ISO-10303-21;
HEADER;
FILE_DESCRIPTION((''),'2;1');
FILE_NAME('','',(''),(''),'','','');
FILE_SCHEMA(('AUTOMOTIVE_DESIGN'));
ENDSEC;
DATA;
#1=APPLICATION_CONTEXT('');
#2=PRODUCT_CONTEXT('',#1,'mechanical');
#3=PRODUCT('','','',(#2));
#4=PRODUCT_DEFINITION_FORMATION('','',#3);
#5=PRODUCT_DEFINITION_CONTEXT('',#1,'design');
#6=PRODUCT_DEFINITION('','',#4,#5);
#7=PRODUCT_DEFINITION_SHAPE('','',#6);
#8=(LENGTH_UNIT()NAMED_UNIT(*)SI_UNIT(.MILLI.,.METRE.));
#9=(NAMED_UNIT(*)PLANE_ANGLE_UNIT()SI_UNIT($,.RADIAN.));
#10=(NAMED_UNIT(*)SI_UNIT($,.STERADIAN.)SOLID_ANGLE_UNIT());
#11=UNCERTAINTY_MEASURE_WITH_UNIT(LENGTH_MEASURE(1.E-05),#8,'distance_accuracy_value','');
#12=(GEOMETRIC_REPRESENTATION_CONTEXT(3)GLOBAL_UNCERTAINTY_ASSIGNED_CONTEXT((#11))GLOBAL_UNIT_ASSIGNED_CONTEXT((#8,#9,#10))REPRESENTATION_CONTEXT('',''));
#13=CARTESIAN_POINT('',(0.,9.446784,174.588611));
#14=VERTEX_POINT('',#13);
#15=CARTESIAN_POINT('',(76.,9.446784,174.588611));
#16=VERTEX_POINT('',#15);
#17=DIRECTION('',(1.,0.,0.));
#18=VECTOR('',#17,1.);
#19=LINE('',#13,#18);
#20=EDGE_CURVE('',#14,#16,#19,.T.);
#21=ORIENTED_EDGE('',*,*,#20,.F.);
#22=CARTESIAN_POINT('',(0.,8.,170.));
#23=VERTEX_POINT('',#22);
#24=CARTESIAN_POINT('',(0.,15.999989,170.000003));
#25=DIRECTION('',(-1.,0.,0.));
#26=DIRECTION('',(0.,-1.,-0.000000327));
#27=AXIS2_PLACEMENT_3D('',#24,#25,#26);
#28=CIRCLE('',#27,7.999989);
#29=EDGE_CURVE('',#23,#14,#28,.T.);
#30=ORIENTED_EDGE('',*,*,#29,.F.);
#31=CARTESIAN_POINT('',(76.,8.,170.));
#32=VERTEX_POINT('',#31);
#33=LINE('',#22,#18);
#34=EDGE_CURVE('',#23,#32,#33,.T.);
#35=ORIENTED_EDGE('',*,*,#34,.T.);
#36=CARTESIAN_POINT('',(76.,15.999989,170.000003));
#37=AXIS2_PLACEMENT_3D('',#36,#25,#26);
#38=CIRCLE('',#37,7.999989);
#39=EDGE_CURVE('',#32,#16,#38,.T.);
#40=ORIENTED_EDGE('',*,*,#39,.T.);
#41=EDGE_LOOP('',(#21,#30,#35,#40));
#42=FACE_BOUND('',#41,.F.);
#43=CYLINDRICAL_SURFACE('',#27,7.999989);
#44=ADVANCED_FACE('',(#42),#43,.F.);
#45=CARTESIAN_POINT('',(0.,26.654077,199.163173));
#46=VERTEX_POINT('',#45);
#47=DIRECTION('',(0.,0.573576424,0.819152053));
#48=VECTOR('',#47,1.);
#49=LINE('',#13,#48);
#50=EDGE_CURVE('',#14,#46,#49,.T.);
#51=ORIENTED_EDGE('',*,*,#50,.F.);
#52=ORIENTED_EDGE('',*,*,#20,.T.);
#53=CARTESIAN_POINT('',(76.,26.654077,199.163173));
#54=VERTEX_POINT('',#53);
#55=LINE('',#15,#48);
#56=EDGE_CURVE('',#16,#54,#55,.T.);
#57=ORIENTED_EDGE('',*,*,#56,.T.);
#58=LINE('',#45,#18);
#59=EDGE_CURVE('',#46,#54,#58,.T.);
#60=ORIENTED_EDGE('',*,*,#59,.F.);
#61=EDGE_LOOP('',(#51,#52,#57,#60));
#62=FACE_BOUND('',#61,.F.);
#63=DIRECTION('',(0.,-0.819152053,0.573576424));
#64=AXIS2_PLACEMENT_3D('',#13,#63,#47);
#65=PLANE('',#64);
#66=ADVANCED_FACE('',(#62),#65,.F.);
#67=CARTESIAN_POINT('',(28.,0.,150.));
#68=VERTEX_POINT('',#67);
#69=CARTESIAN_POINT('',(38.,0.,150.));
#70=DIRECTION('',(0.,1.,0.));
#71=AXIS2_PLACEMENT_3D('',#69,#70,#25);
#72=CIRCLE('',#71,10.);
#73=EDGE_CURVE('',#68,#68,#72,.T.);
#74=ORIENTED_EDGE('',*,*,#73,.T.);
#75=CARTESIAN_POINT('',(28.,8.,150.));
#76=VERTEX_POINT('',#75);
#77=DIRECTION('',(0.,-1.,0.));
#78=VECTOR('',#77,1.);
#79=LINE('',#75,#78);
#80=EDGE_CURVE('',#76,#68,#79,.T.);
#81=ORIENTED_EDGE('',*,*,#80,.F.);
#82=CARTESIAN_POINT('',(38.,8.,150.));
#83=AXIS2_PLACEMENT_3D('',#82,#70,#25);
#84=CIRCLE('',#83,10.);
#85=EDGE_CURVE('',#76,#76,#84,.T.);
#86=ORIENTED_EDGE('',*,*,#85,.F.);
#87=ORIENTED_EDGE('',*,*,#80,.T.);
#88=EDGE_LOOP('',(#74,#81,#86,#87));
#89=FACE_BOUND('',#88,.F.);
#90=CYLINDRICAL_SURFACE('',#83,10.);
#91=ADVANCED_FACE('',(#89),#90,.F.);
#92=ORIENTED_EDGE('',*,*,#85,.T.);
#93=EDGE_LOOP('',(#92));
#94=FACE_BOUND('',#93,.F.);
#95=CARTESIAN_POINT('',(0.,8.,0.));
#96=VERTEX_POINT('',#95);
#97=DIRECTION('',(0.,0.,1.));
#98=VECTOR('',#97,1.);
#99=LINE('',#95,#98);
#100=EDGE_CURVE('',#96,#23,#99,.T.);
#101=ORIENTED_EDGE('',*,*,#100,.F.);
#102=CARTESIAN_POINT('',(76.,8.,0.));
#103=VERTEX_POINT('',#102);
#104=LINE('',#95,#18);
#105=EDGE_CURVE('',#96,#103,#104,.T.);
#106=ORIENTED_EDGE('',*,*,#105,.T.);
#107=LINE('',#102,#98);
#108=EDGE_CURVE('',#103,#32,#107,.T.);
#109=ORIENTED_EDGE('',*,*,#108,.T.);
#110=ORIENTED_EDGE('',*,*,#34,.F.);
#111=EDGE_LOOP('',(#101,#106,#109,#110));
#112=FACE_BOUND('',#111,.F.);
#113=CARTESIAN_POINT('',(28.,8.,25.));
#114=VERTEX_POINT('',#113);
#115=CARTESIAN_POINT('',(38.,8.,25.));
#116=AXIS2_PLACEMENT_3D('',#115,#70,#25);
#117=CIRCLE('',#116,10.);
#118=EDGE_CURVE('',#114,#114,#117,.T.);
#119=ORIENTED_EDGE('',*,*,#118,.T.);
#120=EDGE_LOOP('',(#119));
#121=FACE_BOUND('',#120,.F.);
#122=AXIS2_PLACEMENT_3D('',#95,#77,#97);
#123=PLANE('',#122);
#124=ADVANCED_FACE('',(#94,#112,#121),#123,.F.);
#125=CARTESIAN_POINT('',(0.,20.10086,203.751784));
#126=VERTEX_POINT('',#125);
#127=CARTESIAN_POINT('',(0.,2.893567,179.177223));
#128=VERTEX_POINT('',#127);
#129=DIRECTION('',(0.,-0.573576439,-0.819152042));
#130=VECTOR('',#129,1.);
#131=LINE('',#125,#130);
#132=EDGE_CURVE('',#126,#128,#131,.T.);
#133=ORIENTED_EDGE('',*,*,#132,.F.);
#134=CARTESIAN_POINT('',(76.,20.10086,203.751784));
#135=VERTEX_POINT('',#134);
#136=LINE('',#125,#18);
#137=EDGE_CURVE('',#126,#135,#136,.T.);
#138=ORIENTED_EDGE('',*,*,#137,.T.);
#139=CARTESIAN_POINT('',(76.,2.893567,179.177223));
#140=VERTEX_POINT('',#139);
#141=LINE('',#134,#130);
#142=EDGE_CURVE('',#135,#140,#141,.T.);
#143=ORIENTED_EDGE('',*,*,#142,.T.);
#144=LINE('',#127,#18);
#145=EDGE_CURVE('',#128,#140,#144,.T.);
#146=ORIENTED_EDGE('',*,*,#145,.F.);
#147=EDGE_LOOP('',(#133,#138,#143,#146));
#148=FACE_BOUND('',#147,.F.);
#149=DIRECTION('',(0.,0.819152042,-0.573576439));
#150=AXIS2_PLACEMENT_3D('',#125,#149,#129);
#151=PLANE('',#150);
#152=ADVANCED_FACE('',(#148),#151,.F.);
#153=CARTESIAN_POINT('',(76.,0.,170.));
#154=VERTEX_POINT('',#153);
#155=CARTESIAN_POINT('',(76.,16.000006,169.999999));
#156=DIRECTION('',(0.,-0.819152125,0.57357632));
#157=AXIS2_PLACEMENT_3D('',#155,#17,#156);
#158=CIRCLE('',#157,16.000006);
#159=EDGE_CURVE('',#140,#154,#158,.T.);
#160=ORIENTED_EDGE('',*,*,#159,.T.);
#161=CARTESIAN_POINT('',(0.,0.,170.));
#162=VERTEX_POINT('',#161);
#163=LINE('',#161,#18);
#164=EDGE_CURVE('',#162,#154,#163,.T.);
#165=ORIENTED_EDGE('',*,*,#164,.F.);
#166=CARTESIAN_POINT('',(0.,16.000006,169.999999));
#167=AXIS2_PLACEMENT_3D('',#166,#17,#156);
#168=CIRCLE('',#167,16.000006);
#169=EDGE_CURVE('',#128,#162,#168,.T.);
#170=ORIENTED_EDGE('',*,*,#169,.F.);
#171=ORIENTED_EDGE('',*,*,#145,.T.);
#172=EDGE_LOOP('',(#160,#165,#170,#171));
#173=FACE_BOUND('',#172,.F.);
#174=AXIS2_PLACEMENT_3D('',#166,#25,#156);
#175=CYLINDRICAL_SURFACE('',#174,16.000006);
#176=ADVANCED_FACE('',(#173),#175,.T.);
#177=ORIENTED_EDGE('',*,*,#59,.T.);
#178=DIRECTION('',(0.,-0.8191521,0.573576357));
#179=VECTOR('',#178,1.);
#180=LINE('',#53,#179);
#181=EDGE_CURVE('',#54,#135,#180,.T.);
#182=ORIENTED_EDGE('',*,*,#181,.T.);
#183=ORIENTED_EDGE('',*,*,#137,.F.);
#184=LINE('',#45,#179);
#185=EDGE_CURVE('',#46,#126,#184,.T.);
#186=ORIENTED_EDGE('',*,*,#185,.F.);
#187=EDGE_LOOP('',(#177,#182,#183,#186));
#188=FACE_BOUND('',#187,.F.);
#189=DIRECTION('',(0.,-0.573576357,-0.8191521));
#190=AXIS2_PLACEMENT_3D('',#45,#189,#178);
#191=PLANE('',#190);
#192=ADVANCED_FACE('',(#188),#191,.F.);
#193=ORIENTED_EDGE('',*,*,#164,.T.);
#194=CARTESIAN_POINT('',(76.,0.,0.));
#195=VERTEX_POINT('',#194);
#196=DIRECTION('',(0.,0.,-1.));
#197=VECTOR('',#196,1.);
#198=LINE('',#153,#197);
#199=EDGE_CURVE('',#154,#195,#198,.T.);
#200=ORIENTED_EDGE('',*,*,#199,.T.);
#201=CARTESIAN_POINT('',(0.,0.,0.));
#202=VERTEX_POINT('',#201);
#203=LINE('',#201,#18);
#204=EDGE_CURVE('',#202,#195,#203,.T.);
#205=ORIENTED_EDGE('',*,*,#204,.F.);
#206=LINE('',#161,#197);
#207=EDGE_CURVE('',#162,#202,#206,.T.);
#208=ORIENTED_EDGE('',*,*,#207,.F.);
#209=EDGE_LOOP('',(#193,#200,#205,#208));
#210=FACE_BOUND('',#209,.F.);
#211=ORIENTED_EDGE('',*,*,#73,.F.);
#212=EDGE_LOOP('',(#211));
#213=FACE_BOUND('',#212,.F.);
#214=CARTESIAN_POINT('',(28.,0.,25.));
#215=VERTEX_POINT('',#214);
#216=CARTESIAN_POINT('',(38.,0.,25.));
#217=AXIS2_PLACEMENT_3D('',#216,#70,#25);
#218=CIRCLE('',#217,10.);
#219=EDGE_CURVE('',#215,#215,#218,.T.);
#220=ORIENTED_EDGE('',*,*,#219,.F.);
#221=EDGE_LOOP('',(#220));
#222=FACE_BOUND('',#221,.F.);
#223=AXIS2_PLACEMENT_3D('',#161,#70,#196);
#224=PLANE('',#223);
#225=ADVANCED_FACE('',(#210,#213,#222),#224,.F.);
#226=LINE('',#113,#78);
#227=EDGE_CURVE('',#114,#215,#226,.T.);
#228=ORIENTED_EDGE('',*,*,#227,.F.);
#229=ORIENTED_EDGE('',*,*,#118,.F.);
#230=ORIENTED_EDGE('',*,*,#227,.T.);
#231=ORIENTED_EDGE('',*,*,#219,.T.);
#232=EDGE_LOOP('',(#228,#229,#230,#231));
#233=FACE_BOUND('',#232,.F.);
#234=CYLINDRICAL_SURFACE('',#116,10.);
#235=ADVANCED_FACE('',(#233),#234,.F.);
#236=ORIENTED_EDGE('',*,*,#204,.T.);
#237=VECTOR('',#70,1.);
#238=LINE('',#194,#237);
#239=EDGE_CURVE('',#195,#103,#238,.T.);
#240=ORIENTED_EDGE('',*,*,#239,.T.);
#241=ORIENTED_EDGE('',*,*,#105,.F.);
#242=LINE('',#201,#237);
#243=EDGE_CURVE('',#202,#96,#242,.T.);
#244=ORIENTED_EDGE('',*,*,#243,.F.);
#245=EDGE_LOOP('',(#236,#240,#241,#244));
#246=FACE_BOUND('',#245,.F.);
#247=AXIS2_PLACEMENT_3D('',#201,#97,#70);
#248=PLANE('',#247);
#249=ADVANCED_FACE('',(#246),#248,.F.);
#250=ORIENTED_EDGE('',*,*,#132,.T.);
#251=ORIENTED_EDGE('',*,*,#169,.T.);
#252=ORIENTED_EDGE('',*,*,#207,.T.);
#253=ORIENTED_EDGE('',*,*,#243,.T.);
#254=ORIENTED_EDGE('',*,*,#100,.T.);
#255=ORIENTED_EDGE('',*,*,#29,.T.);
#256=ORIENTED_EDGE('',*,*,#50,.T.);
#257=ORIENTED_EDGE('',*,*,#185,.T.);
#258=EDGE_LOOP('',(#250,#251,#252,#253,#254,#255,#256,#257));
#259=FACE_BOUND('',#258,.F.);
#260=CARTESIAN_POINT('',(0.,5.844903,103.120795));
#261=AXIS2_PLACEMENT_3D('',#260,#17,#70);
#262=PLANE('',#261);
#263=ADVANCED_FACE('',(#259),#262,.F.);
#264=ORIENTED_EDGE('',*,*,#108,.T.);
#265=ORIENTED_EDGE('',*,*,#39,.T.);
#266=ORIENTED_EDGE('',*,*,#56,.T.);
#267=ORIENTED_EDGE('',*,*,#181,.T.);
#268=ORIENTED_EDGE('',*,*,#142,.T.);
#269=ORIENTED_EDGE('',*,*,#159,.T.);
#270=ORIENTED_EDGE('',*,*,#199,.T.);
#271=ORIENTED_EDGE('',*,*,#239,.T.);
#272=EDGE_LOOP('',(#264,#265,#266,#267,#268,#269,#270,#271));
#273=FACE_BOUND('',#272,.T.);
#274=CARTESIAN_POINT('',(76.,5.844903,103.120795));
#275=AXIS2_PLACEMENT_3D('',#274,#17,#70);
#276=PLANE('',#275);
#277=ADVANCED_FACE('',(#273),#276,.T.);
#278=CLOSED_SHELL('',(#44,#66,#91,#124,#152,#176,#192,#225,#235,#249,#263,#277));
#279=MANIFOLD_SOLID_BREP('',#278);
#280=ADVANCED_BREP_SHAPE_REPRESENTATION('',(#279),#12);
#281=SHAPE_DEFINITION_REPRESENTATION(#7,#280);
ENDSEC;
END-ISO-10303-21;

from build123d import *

# Parameters (mm, degrees)
F1_DEPTH = 76
F2_R     = 10
F3_DEPTH = 8.001


with BuildPart() as f1:
    # F0 (on Right) → F1 (new body)
    with BuildSketch(Plane.YZ):
        with BuildLine():
            Line((0, 170), (0, 0))
            Line((0, 0), (8, 0))
            Line((8, 0), (8, 170))
            ThreePointArc((8, 170), (8.370264, 172.405646), (9.446784, 174.588611))
            Line((9.446784, 174.588611), (26.654077, 199.163173))
            Line((26.654077, 199.163173), (20.10086, 203.751784))
            Line((20.10086, 203.751784), (2.893567, 179.177223))
            ThreePointArc((2.893567, 179.177223), (0.740529, 174.811293), (0, 170))
        make_face()
    extrude(amount=F1_DEPTH)

    # F2 (on face) → F3 (cut, through all)
    with BuildSketch(Plane(origin=(0, 8, 0), x_dir=(-1, 0, 0), z_dir=(0, 1, 0))):
        with Locations((-38, 150)):
            Circle(F2_R)
        with Locations((-38, 25)):
            Circle(F2_R)
    extrude(amount=-F3_DEPTH, mode=Mode.SUBTRACT)


solid = f1.part
